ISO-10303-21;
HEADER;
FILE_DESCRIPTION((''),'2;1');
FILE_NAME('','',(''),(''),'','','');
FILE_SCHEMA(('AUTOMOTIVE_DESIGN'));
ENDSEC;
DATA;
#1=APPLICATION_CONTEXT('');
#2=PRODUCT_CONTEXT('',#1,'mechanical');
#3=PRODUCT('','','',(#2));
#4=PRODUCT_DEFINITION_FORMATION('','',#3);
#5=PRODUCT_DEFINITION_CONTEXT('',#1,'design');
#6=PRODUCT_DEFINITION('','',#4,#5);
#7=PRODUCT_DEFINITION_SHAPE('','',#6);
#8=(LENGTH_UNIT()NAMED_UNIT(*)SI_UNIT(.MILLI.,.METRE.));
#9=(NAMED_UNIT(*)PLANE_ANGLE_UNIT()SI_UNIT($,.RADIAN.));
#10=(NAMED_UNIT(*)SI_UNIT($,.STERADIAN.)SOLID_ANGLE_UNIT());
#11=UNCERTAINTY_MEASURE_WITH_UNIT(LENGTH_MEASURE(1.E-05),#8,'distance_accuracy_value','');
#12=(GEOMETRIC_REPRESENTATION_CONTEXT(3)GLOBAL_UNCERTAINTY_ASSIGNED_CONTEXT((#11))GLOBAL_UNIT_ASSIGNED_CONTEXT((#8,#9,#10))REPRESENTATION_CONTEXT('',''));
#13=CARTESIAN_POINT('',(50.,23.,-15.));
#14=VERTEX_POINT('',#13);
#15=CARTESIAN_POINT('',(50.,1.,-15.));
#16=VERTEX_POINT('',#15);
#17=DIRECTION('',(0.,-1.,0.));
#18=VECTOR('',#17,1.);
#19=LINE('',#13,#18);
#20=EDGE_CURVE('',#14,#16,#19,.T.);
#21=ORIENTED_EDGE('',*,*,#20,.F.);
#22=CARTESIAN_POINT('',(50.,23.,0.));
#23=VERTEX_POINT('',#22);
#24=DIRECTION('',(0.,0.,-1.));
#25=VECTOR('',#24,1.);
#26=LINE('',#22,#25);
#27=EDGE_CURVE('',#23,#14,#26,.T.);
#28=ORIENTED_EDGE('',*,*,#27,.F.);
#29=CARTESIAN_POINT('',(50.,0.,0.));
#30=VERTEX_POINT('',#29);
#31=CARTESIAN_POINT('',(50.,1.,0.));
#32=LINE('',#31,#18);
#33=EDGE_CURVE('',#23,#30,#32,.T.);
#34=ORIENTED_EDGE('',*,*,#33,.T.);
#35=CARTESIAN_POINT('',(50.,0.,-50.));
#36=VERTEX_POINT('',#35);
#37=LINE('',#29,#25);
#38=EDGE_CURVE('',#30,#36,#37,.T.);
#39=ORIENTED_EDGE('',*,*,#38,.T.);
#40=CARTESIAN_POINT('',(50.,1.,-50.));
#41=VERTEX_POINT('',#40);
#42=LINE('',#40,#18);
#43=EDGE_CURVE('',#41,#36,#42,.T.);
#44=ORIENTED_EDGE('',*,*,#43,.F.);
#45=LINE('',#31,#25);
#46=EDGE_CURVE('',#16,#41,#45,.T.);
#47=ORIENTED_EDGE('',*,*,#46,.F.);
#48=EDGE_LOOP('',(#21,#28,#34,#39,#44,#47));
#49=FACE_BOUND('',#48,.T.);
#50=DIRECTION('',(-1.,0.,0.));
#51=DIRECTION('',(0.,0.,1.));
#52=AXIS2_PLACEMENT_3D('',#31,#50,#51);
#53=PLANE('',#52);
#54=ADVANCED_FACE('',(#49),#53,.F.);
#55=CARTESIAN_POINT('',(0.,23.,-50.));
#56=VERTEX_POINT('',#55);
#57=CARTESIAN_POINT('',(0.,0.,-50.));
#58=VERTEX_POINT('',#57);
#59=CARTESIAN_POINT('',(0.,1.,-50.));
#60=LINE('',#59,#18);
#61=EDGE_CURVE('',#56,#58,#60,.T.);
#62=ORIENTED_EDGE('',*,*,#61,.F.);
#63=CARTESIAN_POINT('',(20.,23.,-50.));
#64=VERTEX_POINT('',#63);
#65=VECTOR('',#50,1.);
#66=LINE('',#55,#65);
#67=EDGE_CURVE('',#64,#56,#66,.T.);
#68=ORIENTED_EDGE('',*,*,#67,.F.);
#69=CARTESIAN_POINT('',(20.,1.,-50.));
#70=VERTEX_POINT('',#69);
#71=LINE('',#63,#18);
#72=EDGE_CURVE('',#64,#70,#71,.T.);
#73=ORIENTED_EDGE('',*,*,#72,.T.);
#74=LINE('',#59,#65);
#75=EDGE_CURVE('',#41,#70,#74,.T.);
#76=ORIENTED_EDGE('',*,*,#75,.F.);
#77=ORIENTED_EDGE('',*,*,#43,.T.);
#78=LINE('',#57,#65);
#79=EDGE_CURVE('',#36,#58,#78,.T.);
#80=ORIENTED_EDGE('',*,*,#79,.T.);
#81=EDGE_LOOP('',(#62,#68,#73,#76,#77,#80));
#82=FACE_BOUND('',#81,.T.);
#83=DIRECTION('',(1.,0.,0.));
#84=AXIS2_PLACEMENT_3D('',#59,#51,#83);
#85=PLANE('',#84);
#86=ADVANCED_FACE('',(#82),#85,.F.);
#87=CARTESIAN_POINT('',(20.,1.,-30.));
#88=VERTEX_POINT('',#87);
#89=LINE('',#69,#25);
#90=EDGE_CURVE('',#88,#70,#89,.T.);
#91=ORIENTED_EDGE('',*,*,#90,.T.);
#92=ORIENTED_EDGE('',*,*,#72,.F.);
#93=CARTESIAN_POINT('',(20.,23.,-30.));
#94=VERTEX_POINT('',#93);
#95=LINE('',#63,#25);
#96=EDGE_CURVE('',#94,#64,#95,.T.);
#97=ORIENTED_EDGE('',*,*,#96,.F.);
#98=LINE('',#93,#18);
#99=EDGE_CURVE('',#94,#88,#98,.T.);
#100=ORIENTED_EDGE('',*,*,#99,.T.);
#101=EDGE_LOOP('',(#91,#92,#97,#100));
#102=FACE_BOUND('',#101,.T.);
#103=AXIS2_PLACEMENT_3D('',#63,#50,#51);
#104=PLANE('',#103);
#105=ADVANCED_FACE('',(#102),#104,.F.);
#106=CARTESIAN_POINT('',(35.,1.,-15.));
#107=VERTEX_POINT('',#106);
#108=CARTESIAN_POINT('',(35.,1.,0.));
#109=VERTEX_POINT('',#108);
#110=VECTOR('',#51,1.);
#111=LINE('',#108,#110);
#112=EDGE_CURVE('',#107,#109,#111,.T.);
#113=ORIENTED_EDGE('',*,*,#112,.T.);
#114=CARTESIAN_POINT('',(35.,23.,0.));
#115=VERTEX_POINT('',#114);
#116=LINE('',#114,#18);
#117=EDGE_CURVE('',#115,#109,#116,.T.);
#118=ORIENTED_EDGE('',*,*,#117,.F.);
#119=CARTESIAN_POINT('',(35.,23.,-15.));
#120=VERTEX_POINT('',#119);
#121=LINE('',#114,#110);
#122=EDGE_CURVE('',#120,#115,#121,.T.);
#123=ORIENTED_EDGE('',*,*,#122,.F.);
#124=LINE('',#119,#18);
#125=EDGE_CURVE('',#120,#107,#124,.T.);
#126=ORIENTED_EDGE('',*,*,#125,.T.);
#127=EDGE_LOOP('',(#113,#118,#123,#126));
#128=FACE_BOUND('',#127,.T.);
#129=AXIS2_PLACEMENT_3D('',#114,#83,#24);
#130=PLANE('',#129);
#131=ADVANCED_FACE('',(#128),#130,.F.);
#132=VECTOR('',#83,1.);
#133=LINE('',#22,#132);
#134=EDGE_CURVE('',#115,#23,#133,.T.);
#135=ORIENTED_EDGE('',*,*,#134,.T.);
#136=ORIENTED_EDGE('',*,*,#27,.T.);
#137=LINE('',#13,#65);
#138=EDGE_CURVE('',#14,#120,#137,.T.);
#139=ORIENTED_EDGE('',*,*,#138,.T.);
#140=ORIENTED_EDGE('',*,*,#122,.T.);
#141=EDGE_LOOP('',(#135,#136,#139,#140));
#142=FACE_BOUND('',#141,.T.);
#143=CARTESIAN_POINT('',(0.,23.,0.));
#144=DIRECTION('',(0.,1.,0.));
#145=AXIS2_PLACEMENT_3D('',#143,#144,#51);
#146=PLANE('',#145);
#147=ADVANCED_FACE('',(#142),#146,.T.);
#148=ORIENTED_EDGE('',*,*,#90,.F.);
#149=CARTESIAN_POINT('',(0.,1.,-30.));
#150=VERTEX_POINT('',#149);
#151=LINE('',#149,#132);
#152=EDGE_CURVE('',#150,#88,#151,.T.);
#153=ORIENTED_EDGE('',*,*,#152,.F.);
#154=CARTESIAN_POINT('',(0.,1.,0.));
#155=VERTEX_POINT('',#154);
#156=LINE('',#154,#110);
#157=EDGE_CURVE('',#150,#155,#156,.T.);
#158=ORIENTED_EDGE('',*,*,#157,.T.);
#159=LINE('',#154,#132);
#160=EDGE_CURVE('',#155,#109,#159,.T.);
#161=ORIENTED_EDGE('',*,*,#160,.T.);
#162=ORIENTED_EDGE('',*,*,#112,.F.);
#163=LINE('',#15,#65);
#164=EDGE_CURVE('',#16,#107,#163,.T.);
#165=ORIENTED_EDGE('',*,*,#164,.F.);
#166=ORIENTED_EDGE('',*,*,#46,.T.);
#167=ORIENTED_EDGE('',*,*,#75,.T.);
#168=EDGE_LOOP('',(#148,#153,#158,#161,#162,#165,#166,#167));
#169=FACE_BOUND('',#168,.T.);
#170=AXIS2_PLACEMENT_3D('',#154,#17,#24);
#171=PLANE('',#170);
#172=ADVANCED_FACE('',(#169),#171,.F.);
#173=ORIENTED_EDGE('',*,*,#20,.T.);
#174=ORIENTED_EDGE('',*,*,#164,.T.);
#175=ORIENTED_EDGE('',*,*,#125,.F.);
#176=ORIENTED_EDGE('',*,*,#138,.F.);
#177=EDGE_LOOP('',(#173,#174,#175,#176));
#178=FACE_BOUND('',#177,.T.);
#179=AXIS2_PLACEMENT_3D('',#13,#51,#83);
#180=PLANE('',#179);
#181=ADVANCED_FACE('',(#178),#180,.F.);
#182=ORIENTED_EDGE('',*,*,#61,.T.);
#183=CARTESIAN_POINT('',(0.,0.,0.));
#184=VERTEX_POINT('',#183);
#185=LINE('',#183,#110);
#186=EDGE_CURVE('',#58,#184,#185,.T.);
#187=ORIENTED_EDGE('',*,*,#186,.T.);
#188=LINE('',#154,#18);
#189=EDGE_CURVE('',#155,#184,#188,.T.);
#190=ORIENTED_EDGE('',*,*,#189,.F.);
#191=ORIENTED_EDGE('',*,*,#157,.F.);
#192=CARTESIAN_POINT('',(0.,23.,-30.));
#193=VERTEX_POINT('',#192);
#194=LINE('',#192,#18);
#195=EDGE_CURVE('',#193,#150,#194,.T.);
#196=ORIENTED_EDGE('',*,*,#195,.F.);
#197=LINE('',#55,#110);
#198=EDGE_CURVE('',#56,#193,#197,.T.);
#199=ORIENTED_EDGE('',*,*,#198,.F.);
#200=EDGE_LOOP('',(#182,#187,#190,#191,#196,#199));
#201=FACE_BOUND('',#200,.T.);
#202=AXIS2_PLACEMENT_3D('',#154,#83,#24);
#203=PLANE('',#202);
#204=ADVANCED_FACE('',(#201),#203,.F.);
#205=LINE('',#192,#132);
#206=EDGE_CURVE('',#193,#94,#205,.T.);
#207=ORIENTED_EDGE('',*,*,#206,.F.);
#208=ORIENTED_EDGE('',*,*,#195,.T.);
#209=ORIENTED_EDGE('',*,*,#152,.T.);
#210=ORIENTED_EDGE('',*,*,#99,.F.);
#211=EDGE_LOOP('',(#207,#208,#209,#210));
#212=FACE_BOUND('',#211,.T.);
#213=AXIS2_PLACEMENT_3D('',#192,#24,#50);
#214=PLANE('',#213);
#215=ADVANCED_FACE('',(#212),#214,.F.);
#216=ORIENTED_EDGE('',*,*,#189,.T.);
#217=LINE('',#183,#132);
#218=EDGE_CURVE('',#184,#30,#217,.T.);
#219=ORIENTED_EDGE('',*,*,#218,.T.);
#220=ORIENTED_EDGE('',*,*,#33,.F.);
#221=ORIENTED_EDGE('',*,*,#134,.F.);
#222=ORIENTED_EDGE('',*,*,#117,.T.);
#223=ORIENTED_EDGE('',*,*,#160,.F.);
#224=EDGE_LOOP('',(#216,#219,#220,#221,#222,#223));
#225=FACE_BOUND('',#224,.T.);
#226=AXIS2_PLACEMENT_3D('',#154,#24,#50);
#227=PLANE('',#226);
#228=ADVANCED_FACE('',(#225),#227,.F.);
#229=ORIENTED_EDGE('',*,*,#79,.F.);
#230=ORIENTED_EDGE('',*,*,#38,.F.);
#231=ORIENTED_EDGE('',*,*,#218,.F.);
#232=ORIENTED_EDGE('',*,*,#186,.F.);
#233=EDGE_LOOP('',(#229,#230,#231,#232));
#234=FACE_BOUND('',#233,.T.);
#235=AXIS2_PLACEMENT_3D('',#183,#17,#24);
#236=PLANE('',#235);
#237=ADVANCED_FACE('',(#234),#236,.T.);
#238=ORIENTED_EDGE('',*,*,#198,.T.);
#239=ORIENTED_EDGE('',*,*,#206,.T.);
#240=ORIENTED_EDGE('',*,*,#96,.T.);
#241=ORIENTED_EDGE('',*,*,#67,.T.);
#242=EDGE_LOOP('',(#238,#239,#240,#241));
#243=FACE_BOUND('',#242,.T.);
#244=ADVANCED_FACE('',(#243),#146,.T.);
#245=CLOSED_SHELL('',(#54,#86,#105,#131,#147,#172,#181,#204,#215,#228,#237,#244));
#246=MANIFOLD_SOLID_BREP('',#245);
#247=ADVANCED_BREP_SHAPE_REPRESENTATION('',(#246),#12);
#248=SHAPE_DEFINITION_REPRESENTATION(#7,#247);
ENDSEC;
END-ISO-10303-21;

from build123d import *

# Parameters (mm, degrees)
SKETCH1_W           = 50
SKETCH1_H           = 50
BOSS_EXTRUDE1_DEPTH = 1
SKETCH2_W           = 20
SKETCH2_H           = 20
SKETCH2_W_2         = 15
SKETCH2_H_2         = 15
BOSS_EXTRUDE2_DEPTH = 22


with BuildPart() as part:
    # Sketch1 → Boss-Extrude1 (new body)
    with BuildSketch(Plane(origin=(0, 0, 0), x_dir=(1, 0, 0), z_dir=(0, 1, 0))):
        with Locations((25, 25)):
            Rectangle(SKETCH1_W, SKETCH1_H)
    extrude(amount=BOSS_EXTRUDE1_DEPTH)

    # Sketch2 → Boss-Extrude2 (add)
    with BuildSketch(Plane(origin=(0, 1, 0), x_dir=(1, 0, 0), z_dir=(0, 1, 0))):
        with Locations((10, 40)):
            Rectangle(SKETCH2_W, SKETCH2_H)
        with Locations((42.5, 7.5)):
            Rectangle(SKETCH2_W_2, SKETCH2_H_2)
    extrude(amount=BOSS_EXTRUDE2_DEPTH)


solid = part.part
